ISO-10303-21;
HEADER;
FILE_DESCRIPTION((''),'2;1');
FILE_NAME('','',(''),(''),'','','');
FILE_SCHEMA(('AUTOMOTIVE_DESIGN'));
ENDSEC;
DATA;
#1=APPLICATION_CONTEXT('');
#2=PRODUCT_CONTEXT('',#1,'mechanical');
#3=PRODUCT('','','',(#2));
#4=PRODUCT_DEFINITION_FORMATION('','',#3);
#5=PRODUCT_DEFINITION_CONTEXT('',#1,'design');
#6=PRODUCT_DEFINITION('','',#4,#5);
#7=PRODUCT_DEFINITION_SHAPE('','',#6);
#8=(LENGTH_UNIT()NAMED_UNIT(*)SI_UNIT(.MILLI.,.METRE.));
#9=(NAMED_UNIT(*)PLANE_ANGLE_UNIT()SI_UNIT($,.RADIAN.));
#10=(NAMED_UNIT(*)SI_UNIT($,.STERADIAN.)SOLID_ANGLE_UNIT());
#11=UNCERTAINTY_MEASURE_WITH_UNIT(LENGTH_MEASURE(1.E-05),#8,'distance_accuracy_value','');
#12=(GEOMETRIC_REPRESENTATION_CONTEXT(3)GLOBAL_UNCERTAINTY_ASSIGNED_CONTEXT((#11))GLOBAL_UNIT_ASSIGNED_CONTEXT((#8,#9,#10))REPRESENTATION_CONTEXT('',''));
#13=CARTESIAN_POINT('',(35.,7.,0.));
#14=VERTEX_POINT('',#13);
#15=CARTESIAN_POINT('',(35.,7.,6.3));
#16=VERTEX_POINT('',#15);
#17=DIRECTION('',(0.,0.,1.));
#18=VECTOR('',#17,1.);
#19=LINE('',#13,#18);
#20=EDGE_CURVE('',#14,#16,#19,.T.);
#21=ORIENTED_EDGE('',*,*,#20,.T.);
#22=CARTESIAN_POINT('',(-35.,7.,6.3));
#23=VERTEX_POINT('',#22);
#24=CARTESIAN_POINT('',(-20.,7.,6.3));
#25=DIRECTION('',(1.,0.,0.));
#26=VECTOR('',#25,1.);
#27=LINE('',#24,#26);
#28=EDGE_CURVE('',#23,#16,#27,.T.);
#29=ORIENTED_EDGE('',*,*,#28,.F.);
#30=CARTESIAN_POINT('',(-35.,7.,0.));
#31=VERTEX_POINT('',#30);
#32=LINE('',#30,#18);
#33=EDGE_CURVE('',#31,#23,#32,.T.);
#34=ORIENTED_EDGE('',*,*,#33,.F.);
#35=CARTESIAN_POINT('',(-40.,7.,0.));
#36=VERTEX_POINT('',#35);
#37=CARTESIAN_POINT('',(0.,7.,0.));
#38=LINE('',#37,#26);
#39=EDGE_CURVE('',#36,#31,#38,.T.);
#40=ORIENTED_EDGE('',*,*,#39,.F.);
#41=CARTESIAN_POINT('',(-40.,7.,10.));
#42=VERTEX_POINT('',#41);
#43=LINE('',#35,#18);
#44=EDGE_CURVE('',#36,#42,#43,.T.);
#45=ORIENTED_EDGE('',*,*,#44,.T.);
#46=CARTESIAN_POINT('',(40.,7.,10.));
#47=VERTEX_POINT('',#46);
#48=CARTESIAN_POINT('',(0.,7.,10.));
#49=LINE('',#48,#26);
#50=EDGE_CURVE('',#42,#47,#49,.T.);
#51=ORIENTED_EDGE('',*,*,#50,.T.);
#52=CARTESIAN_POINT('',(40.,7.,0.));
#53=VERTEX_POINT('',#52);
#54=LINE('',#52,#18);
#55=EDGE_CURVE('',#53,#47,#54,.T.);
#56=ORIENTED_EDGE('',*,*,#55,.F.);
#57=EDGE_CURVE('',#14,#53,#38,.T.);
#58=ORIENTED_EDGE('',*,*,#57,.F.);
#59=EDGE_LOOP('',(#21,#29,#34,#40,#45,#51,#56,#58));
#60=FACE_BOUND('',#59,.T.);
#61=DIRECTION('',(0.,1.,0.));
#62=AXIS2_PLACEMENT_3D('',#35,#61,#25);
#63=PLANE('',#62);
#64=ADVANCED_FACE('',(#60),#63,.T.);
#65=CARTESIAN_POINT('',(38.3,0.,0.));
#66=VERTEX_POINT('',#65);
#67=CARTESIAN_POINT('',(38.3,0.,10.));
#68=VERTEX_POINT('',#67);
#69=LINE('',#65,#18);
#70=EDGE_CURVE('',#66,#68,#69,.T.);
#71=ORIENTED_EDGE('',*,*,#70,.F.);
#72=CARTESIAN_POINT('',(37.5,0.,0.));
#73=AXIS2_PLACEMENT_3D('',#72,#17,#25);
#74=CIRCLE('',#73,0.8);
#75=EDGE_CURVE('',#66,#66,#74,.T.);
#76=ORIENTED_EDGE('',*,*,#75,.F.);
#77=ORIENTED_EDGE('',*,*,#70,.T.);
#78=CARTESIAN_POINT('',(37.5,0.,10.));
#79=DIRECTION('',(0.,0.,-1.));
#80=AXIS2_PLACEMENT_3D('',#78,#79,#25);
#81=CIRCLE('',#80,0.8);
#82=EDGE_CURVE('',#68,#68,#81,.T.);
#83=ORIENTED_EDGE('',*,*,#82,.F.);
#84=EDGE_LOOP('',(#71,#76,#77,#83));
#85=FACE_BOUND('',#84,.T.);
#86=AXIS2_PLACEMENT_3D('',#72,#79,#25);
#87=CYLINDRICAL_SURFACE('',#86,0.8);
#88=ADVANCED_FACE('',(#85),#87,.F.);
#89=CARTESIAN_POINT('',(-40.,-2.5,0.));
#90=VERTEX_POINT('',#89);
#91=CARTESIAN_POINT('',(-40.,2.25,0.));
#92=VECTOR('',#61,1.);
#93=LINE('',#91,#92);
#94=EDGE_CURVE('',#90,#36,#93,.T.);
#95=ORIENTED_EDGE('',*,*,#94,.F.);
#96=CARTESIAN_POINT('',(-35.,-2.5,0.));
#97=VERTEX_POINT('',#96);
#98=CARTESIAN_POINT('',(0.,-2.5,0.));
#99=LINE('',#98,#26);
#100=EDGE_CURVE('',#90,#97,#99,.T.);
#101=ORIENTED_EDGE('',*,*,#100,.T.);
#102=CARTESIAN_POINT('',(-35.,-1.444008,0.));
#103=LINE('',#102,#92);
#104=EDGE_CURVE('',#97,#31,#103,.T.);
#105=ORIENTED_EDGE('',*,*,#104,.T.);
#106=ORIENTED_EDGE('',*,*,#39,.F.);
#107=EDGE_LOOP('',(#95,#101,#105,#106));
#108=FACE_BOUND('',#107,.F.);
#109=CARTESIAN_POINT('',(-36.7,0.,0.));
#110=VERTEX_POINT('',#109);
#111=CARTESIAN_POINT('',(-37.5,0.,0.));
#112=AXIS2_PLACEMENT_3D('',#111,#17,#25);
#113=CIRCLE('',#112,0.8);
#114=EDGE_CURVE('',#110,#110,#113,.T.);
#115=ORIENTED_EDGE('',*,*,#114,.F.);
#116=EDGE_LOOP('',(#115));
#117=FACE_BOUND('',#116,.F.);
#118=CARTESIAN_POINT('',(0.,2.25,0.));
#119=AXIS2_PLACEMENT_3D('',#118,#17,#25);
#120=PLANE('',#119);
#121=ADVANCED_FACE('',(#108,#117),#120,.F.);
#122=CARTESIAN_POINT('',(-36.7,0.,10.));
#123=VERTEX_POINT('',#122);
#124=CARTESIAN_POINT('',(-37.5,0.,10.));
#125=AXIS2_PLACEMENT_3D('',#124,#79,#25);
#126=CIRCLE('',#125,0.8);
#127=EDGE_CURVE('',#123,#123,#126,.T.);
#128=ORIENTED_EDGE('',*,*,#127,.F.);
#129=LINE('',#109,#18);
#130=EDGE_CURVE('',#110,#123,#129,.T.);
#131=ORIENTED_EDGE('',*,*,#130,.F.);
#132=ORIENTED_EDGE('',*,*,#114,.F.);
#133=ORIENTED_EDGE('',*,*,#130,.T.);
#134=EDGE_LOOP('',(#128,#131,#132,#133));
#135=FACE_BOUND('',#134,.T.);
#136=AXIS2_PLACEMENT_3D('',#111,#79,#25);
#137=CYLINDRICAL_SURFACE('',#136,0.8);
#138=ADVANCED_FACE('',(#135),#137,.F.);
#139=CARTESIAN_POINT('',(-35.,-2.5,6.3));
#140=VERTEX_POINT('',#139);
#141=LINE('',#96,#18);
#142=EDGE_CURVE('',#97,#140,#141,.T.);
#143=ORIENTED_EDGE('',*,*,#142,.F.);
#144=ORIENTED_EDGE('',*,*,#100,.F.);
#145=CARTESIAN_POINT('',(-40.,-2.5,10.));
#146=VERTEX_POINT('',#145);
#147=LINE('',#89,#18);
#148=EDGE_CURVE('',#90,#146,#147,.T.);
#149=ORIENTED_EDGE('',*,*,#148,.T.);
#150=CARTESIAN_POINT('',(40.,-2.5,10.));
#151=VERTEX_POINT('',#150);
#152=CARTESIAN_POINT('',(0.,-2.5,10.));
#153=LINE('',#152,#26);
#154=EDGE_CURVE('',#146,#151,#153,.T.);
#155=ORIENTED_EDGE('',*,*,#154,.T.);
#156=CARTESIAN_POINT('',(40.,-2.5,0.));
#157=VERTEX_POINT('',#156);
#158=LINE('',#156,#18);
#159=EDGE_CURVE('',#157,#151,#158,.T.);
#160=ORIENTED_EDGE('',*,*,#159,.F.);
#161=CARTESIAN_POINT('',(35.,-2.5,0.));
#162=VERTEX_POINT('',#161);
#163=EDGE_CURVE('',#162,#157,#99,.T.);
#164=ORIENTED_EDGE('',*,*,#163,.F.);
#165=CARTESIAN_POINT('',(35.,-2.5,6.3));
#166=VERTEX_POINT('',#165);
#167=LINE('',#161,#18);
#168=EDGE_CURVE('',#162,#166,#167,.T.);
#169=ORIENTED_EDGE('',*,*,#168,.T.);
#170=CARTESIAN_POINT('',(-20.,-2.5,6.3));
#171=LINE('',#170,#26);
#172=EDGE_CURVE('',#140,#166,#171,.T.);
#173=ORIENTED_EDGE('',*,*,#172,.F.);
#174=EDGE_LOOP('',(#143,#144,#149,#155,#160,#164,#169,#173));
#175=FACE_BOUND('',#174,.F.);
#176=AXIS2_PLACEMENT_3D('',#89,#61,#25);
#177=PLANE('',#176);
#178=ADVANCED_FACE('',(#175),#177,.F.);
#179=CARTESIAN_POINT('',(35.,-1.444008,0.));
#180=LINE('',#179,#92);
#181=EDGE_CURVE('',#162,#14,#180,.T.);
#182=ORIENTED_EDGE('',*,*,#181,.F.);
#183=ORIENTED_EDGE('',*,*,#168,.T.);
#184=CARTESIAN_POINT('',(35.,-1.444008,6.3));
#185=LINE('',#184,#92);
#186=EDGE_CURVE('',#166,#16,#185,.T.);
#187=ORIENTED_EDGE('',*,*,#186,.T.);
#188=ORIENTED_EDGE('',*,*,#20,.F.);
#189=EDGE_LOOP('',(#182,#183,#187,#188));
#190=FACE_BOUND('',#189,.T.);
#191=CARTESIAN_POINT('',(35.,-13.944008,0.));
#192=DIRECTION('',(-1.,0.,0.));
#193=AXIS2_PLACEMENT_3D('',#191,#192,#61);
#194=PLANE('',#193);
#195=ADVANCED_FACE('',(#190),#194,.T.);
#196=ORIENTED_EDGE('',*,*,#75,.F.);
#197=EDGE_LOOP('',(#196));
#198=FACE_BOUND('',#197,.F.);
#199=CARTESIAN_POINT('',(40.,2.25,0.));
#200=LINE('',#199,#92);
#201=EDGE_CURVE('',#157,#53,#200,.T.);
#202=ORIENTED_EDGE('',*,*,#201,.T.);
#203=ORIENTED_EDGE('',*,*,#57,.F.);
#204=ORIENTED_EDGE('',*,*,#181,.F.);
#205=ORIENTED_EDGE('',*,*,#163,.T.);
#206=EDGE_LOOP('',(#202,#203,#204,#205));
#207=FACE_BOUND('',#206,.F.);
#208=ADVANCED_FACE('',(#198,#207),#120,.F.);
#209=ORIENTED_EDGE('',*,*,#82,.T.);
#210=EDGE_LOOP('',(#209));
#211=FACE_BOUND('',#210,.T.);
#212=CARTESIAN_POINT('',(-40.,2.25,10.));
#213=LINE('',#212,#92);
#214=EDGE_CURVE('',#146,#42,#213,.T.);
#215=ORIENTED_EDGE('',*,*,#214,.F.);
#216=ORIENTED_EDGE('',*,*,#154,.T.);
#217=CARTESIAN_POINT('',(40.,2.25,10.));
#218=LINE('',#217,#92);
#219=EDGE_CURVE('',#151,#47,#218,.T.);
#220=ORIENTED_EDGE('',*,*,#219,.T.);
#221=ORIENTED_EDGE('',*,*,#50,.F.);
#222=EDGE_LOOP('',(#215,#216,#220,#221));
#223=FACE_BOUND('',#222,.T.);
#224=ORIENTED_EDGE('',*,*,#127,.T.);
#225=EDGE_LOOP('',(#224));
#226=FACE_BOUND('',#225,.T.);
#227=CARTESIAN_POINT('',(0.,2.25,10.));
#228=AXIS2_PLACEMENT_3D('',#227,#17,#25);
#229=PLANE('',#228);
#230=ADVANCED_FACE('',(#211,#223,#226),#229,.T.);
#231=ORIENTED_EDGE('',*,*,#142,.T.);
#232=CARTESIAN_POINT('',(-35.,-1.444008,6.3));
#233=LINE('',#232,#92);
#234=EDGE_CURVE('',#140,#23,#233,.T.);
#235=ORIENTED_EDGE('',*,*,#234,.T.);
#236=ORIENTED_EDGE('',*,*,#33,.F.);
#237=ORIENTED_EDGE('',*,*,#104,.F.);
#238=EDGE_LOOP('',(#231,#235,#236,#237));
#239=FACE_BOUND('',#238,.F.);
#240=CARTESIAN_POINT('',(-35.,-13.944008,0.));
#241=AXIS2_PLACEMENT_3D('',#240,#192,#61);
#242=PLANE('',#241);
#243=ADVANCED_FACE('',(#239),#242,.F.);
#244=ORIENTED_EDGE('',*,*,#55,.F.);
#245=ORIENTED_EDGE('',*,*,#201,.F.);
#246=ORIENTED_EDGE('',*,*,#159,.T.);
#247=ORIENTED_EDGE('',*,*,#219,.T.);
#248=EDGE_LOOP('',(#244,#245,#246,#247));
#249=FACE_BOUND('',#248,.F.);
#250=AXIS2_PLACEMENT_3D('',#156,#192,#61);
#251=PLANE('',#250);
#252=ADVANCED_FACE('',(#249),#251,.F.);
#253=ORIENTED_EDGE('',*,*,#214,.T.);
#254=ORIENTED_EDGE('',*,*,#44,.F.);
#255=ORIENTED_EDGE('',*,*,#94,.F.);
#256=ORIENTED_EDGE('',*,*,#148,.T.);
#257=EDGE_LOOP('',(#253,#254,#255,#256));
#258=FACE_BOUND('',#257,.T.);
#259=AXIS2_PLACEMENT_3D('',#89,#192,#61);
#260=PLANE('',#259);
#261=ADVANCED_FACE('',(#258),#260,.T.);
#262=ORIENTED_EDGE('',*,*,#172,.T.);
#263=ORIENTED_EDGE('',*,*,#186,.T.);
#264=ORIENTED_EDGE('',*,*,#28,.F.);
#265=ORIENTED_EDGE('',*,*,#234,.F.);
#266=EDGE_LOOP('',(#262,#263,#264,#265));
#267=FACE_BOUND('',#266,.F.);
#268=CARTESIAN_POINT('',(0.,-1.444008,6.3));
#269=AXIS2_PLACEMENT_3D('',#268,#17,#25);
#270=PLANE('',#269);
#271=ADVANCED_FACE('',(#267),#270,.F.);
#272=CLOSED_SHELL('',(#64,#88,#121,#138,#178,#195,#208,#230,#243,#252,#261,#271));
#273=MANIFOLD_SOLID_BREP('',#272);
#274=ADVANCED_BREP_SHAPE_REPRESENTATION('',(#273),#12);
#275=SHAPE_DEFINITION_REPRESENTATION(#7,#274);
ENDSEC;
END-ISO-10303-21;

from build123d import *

# Parameters (mm, degrees)
SKETCH_W     = 80
SKETCH_H     = 9.5
PAD_DEPTH    = 10
SKETCH001_W  = 70
SKETCH001_H  = 25
POCKET_DEPTH = 6.3
SKETCH002_R  = 0.8
HOLE_DEPTH   = 10.001


with BuildPart() as part:
    # Sketch → Pad (new body)
    with BuildSketch(Plane.XY):
        with Locations((0, 2.25)):
            Rectangle(SKETCH_W, SKETCH_H)
    extrude(amount=PAD_DEPTH)

    # Sketch001 → Pocket (cut)
    with BuildSketch(Plane.XY):
        with Locations((0, -1.444008)):
            Rectangle(SKETCH001_W, SKETCH001_H)
    extrude(amount=POCKET_DEPTH, mode=Mode.SUBTRACT)

    # Sketch002 → Hole (cut, through all)
    with BuildSketch(Plane.XY):
        with Locations((37.5, 0)):
            Circle(SKETCH002_R)
        with Locations((-37.5, 0)):
            Circle(SKETCH002_R)
    extrude(amount=HOLE_DEPTH, mode=Mode.SUBTRACT)


solid = part.part
